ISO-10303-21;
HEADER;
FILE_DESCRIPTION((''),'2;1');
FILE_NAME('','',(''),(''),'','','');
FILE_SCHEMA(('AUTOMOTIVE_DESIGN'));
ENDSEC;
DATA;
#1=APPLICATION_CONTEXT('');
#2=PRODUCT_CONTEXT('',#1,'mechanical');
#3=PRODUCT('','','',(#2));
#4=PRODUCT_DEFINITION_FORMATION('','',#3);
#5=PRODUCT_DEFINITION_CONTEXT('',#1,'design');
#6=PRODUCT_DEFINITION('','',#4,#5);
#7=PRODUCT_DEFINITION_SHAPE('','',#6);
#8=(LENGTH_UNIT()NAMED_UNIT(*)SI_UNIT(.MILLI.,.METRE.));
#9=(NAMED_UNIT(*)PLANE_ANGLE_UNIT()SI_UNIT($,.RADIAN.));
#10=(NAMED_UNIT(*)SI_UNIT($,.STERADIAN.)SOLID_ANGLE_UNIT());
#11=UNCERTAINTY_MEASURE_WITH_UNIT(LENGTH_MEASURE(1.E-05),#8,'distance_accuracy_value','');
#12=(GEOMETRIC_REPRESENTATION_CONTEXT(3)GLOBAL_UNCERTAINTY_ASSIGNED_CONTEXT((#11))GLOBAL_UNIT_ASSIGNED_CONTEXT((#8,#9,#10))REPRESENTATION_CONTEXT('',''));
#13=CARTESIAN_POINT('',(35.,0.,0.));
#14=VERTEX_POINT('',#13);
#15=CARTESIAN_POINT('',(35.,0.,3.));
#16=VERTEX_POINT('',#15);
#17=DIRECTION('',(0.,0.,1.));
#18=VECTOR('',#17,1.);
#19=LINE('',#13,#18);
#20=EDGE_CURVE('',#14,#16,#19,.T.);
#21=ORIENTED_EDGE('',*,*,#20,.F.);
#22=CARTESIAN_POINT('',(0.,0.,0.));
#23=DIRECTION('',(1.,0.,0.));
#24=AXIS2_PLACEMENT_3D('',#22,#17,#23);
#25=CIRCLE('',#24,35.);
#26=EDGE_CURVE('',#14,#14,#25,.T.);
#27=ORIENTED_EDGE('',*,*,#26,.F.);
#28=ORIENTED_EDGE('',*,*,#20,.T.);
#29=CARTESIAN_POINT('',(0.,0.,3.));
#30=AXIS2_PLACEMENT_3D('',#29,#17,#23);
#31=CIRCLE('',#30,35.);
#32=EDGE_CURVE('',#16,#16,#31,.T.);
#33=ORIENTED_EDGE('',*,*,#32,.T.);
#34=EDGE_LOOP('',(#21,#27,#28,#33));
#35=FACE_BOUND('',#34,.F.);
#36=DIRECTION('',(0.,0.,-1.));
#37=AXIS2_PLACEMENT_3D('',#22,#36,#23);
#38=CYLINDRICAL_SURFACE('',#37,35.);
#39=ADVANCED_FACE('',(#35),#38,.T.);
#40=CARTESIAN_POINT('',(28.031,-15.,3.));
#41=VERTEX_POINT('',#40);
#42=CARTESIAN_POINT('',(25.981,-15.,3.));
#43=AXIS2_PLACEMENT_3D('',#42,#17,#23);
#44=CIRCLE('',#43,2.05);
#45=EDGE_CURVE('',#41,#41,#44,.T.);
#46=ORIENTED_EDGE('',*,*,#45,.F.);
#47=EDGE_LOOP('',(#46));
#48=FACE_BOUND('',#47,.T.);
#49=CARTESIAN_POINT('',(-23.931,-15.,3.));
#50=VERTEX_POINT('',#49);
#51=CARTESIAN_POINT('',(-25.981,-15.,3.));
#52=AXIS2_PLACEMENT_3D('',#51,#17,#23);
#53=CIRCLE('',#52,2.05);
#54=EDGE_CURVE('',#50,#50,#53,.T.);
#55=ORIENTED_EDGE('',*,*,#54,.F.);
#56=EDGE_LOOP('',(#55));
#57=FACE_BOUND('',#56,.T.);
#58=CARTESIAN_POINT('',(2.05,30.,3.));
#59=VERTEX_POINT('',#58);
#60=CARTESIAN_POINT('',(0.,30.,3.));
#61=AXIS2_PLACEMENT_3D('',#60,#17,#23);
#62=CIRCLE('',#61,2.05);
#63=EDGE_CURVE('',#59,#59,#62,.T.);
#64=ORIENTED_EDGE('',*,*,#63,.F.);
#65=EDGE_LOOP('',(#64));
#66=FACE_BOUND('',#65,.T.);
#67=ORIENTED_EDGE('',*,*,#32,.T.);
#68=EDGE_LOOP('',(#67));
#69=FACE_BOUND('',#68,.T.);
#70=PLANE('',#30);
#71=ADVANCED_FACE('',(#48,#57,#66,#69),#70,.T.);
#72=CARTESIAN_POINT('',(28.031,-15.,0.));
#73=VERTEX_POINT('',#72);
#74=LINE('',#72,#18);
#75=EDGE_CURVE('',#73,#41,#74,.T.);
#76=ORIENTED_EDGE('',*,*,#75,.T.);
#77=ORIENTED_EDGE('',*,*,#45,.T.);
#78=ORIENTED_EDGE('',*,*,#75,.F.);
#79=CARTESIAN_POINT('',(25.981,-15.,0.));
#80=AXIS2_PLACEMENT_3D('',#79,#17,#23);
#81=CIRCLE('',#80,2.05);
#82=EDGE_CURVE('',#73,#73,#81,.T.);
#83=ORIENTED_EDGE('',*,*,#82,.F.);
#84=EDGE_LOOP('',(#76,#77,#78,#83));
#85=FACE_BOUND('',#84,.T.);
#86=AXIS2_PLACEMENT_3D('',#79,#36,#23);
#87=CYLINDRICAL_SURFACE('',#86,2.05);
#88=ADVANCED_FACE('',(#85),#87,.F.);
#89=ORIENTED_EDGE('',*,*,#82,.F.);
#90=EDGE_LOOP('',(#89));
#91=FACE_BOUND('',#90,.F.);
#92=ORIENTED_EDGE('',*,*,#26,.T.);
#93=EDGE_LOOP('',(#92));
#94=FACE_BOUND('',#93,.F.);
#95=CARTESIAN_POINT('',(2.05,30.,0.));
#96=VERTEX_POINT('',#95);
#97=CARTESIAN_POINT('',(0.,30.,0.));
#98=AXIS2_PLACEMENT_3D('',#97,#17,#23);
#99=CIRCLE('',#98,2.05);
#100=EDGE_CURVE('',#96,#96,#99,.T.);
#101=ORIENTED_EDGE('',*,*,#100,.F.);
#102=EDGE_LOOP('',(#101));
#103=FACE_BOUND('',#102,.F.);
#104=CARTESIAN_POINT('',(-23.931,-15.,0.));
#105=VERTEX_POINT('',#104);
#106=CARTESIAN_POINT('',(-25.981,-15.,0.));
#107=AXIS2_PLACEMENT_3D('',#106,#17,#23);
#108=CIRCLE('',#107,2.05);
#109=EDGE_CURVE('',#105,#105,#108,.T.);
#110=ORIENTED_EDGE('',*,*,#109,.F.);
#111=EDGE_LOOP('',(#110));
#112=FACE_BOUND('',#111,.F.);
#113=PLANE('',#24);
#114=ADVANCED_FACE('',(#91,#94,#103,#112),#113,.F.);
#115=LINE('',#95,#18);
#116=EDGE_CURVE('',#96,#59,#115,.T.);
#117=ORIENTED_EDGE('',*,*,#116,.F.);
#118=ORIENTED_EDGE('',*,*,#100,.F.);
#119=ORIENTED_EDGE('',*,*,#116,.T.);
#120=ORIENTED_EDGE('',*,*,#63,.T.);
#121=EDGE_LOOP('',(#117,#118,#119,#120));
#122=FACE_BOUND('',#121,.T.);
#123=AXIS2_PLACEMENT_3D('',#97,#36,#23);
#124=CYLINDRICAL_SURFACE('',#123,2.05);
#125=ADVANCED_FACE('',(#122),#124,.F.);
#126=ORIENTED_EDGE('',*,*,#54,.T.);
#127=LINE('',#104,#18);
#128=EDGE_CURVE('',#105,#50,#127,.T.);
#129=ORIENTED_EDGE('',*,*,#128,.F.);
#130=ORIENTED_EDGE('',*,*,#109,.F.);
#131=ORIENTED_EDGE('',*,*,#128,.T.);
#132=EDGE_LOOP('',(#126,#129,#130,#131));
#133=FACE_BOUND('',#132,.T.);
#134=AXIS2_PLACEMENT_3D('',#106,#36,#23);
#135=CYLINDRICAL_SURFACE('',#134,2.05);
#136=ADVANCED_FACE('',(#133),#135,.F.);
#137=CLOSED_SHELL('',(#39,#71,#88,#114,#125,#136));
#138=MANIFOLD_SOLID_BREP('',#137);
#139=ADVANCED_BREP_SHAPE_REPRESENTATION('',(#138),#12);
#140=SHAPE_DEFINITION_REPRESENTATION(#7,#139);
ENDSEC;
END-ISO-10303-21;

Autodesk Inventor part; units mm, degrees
ref_plane "YZ Plane" through (0, 0, 0) normal (1, 0, 0) x (0, 1, 0)
ref_plane "XZ Plane" through (0, 0, 0) normal (0, 1, 0) x (-1, 0, 0)
ref_plane "XY Plane" through (0, 0, 0) normal (0, 0, 1) x (1, 0, 0)
sketch "Sketch1" plane through (0, 0, 0) normal (0, 0, 1) x (1, 0, 0)
  circle A0 centre (0, 0) radius 35
  circle A1 centre (0, 30) radius 2.05
  circle A2 centre (-25.981, -15) radius 2.05
  circle A3 centre (25.981, -15) radius 2.05
  dimension "d0" = 70
  dimension "d1" = 4.1
  dimension "d2" = 30
  dimension "d3" = 4.1
  dimension "d4" = 4.1
  dimension "d5" = 15
  dimension "d6" = 25.981
  dimension "d7" = 25.981
extrude "Extrusion1" add sketch "Sketch1" along normal blind 3
equation "\"d7\" = d6"
properties part number "Griff_Deckel"
